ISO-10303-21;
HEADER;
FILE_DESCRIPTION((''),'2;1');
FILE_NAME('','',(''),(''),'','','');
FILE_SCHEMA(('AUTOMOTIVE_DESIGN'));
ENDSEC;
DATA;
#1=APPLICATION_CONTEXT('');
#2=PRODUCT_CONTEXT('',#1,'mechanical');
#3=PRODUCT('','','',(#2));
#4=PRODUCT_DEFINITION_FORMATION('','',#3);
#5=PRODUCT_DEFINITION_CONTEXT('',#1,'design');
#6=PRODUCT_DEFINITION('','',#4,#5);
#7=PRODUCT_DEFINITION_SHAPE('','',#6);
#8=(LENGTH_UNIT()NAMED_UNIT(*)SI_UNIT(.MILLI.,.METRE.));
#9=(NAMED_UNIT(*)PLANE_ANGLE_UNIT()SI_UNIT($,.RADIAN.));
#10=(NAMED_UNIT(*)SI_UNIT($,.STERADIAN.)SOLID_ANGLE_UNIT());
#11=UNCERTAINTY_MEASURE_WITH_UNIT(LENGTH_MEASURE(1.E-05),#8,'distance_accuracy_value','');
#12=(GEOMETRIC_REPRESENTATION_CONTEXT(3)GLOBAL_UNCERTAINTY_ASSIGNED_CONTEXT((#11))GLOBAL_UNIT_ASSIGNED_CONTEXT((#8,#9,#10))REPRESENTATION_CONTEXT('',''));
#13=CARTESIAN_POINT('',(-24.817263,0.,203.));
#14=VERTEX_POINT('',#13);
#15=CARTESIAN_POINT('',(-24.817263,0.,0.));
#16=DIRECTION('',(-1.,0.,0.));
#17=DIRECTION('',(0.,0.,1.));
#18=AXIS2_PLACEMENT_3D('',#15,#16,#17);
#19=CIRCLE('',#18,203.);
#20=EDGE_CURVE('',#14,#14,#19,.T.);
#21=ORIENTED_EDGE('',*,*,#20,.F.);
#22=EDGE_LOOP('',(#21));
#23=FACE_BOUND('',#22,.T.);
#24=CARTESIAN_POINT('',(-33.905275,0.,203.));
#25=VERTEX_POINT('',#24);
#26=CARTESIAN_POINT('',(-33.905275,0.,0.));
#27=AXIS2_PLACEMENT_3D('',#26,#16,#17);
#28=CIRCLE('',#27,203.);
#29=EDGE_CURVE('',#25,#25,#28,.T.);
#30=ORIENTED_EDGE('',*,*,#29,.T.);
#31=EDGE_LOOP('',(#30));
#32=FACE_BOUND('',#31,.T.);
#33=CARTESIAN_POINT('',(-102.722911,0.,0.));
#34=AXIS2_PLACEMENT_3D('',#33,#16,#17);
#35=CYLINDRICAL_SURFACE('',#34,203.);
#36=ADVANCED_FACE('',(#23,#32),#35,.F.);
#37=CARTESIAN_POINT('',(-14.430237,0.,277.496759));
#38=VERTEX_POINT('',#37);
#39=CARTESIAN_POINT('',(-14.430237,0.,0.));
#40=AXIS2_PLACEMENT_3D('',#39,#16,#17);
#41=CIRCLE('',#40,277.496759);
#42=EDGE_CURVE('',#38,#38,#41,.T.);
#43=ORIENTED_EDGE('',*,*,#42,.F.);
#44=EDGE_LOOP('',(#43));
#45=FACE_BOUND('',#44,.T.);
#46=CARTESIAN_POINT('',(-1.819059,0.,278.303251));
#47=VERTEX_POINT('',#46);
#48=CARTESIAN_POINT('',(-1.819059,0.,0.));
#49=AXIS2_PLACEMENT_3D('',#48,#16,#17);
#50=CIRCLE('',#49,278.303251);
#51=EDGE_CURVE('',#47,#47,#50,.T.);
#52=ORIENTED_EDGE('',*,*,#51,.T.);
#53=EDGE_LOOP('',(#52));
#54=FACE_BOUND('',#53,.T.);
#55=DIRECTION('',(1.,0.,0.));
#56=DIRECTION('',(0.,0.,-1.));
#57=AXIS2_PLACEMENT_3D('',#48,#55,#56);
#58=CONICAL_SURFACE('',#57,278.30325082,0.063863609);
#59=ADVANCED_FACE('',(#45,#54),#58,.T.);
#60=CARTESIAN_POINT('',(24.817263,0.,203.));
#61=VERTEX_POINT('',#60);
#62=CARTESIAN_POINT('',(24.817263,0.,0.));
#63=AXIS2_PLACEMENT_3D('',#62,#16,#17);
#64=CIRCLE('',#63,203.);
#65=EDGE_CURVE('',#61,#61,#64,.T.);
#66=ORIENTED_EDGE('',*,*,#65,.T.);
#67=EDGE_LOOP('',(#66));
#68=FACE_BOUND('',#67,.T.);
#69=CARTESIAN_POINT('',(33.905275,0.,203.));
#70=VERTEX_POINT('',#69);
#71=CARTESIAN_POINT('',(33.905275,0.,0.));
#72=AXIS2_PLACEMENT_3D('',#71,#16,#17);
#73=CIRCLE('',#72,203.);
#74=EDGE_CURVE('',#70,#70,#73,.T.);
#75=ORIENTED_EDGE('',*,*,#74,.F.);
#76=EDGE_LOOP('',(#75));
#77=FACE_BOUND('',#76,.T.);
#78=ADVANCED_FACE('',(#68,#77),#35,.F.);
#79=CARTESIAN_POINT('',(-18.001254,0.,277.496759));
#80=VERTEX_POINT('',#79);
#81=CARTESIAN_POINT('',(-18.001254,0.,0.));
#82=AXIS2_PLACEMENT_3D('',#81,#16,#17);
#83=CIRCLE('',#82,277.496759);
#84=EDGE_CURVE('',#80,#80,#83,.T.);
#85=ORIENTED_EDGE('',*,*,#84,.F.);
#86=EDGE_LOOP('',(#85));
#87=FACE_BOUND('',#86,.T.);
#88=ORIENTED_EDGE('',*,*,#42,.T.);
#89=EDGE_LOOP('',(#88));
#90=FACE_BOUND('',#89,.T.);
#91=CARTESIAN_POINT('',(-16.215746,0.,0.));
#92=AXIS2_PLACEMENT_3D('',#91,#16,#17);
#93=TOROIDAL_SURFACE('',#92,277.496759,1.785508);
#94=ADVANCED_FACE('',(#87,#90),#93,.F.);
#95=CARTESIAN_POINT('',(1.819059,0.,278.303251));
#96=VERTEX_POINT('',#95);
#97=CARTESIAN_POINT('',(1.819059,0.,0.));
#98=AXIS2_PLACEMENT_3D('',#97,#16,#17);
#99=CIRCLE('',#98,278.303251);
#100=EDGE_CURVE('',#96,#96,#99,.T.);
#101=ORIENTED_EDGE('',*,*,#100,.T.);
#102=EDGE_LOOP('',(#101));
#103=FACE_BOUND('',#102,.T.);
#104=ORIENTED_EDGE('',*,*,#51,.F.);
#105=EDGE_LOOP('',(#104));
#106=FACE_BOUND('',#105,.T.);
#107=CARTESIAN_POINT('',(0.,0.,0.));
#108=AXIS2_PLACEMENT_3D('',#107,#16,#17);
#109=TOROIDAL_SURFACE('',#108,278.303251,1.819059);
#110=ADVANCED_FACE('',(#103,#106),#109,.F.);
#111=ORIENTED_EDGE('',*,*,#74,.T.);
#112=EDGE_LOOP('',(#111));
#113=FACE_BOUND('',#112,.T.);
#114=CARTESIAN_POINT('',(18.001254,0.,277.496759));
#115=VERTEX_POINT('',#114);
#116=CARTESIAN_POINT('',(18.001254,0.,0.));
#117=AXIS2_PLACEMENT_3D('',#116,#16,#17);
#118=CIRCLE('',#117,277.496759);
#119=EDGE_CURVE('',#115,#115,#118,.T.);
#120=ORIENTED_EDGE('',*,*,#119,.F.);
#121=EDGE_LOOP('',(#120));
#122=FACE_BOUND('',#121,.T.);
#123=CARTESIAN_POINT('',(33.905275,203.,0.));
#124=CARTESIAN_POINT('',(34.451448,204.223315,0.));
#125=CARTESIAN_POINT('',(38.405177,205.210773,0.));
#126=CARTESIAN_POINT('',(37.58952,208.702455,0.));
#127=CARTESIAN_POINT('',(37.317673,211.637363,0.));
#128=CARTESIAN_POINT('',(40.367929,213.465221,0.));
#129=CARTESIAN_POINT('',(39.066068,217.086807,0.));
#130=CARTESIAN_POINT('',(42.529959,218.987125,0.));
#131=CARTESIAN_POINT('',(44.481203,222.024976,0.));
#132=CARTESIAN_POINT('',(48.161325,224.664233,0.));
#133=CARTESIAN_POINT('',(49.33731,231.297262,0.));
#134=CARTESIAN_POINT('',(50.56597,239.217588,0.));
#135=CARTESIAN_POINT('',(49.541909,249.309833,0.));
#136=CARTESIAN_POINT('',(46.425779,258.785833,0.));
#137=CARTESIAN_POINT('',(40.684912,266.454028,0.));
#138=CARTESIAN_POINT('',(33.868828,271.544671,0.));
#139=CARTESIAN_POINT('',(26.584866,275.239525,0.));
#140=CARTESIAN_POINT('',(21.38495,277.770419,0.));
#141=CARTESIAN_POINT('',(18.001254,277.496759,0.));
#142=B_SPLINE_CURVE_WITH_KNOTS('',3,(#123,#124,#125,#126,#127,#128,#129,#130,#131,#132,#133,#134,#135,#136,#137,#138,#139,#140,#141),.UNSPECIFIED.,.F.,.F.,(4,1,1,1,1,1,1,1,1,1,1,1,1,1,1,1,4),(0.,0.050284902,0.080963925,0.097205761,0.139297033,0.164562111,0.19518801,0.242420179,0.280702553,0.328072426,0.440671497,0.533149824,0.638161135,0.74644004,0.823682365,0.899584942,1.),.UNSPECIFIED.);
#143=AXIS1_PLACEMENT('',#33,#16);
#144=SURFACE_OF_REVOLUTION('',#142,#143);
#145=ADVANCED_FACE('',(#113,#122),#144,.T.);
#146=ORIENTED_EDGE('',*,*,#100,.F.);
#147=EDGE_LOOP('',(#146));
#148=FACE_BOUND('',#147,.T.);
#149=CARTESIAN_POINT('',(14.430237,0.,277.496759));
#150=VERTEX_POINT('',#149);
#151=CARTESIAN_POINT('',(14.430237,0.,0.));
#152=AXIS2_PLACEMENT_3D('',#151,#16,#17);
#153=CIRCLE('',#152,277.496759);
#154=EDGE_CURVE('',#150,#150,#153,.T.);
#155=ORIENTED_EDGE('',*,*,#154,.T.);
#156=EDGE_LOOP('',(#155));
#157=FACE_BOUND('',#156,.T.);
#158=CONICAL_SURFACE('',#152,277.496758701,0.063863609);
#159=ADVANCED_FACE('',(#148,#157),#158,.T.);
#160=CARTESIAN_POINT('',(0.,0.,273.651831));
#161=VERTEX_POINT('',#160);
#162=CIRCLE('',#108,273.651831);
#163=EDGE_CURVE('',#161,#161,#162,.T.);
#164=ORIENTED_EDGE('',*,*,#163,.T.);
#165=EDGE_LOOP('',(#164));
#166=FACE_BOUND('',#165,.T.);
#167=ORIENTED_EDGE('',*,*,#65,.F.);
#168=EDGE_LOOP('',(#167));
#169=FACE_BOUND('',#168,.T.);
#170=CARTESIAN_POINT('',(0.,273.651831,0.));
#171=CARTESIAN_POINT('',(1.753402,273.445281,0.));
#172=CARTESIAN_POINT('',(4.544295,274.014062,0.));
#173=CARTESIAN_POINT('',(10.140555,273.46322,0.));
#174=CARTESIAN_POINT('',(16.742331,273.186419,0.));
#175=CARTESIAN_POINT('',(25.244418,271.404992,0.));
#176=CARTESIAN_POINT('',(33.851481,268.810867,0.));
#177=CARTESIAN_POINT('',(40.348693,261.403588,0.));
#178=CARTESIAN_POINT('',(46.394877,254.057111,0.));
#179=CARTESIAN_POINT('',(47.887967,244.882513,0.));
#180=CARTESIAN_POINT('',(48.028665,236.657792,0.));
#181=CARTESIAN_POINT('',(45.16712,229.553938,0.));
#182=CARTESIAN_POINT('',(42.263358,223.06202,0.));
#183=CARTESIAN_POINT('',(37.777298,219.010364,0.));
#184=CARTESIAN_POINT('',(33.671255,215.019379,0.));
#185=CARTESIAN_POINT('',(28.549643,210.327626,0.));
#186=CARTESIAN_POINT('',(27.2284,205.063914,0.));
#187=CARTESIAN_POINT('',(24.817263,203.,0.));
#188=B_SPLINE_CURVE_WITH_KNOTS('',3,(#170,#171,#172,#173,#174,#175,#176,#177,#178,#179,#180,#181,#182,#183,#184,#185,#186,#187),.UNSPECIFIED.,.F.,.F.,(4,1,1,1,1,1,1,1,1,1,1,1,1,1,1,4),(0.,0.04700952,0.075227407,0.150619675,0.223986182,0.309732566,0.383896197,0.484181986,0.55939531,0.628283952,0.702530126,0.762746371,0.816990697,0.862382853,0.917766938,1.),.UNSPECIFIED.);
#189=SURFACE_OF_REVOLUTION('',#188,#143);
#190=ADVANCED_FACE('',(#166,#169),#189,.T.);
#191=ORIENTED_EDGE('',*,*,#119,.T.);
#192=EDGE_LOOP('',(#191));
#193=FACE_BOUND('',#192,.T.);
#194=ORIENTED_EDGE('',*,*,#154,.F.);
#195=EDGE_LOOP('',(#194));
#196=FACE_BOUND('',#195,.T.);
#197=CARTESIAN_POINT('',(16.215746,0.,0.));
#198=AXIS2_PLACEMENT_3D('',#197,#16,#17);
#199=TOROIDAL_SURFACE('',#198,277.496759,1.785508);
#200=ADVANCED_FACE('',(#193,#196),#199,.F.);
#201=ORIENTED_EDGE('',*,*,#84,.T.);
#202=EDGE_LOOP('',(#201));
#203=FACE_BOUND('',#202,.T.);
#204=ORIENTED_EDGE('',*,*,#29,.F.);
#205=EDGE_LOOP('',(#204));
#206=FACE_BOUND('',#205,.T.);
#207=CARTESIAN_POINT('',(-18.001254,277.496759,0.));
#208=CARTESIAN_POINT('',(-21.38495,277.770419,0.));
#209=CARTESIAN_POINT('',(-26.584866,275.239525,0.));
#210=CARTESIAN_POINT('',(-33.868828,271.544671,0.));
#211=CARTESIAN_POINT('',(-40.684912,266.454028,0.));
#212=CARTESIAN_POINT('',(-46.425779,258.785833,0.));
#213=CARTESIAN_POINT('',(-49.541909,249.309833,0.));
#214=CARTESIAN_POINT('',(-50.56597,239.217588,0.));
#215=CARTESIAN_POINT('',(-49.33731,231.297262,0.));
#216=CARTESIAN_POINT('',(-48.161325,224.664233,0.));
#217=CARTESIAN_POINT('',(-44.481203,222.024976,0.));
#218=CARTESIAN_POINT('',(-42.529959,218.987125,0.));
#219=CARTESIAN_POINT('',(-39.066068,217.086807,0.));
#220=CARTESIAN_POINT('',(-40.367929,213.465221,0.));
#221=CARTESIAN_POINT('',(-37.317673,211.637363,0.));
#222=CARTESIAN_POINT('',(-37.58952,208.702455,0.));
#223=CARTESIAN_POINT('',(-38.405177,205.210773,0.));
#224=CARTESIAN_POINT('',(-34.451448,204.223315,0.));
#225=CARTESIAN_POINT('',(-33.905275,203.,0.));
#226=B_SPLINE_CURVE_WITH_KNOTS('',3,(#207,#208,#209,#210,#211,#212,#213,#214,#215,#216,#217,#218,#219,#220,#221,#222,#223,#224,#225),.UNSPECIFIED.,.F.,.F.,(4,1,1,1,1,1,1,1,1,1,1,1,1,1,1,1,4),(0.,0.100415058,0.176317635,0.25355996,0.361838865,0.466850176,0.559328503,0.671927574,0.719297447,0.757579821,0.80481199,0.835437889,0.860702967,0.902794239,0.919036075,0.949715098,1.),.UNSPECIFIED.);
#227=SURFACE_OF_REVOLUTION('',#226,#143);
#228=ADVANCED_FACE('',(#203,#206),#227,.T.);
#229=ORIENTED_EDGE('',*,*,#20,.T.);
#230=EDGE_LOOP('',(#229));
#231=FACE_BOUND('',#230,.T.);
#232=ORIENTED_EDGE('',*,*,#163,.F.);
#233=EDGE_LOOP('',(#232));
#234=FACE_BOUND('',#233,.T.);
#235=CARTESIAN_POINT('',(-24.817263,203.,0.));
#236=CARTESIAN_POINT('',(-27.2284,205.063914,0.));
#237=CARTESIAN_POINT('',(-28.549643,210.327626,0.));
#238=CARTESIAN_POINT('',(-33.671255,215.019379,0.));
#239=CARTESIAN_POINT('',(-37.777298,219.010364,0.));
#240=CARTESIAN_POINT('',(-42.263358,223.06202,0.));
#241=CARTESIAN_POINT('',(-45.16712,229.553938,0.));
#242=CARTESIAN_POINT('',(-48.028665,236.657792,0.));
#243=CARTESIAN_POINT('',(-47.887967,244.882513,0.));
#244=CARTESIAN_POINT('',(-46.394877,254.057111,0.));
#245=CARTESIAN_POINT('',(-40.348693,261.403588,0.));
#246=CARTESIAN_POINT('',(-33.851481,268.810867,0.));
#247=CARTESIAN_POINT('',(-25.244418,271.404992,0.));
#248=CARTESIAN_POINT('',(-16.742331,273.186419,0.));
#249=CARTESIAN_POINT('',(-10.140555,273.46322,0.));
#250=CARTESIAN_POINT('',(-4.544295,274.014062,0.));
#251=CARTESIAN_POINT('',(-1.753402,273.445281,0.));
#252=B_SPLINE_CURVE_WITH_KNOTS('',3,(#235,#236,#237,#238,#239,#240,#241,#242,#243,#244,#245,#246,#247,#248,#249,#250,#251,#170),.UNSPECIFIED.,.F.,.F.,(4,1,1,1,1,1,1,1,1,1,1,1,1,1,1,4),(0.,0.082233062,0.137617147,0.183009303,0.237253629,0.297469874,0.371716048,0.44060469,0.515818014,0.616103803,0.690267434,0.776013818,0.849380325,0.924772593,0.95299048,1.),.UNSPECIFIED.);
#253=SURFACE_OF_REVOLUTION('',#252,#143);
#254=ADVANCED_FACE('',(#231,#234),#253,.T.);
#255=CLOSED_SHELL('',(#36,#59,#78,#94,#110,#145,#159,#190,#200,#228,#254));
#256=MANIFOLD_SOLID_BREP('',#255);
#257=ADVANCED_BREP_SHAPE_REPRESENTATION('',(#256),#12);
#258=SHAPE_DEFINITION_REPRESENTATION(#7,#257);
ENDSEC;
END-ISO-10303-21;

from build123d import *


with BuildPart() as part:
    # Sketch1 → Revolve2 (revolve)
    with BuildSketch(Plane.XY):
        with BuildLine():
            Line((-24.817263014, 203), (-33.905274822, 203))
            add(Edge.make_bspline(
                [(-33.905274822, 203), (-34.451447712, 204.223315441), (-38.405176851, 205.210772848), (-37.589519666, 208.70245477), (-37.317673012, 211.637363166), (-40.367929344, 213.465220786), (-39.066067659, 217.086806756), (-42.529958862, 218.987124675), (-44.481203146, 222.024976144), (-48.1613249, 224.664233071), (-49.33731008, 231.297261903), (-50.56597037, 239.217588361), (-49.541908918, 249.30983287), (-46.425779413, 258.78583291), (-40.684911603, 266.454028141), (-33.868828279, 271.544671241), (-26.584866167, 275.239525499), (-21.384950053, 277.770418692), (-18.001254158, 277.496758701)],
                knots=[0, 0, 0, 0, 0.050284902, 0.080963925, 0.097205761, 0.139297033, 0.164562111, 0.19518801, 0.242420179, 0.280702553, 0.328072426, 0.440671497, 0.533149824, 0.638161135, 0.74644004, 0.823682365, 0.899584942, 1, 1, 1, 1], degree=3))
            ThreePointArc((-18.001254158, 277.496758701), (-16.21574569, 275.711250233), (-14.430237221, 277.496758701))
            Line((-14.430237221, 277.496758701), (-1.819058655, 278.30325082))
            ThreePointArc((-1.819058655, 278.30325082), (0, 276.484192165), (1.819058655, 278.30325082))
            Line((1.819058655, 278.30325082), (14.430237221, 277.496758701))
            ThreePointArc((14.430237221, 277.496758701), (16.21574569, 275.711250233), (18.001254158, 277.496758701))
            add(Edge.make_bspline(
                [(33.905274822, 203), (34.451447712, 204.223315441), (38.405176851, 205.210772848), (37.589519666, 208.70245477), (37.317673012, 211.637363166), (40.367929344, 213.465220786), (39.066067659, 217.086806756), (42.529958862, 218.987124675), (44.481203146, 222.024976144), (48.1613249, 224.664233071), (49.33731008, 231.297261903), (50.56597037, 239.217588361), (49.541908918, 249.30983287), (46.425779413, 258.78583291), (40.684911603, 266.454028141), (33.868828279, 271.544671241), (26.584866167, 275.239525499), (21.384950053, 277.770418692), (18.001254158, 277.496758701)],
                knots=[0, 0, 0, 0, 0.050284902, 0.080963925, 0.097205761, 0.139297033, 0.164562111, 0.19518801, 0.242420179, 0.280702553, 0.328072426, 0.440671497, 0.533149824, 0.638161135, 0.74644004, 0.823682365, 0.899584942, 1, 1, 1, 1], degree=3))
            Line((33.905274822, 203), (24.817263014, 203))
            add(Edge.make_bspline(
                [(24.817263014, 203), (27.228399829, 205.063914319), (28.549642734, 210.327625908), (33.671254535, 215.019378984), (37.777297666, 219.010363555), (42.263357726, 223.06202027), (45.167120419, 229.553937912), (48.02866542, 236.657792056), (47.887967472, 244.882513096), (46.394877316, 254.057111446), (40.348692935, 261.403587544), (33.851481322, 268.810867069), (25.244417526, 271.404992131), (16.742331219, 273.186419121), (10.140554755, 273.463220362), (4.544295124, 274.014061695), (1.753402076, 273.445280921), (0, 273.651830629)],
                knots=[0, 0, 0, 0, 0.082233062, 0.137617147, 0.183009303, 0.237253629, 0.297469874, 0.371716048, 0.44060469, 0.515818014, 0.616103803, 0.690267434, 0.776013818, 0.849380325, 0.924772593, 0.95299048, 1, 1, 1, 1], degree=3))
            add(Edge.make_bspline(
                [(-24.817263014, 203), (-27.228399829, 205.063914319), (-28.549642734, 210.327625908), (-33.671254535, 215.019378984), (-37.777297666, 219.010363555), (-42.263357726, 223.06202027), (-45.167120419, 229.553937912), (-48.02866542, 236.657792056), (-47.887967472, 244.882513096), (-46.394877316, 254.057111446), (-40.348692935, 261.403587544), (-33.851481322, 268.810867069), (-25.244417526, 271.404992131), (-16.742331219, 273.186419121), (-10.140554755, 273.463220362), (-4.544295124, 274.014061695), (-1.753402076, 273.445280921), (0, 273.651830629)],
                knots=[0, 0, 0, 0, 0.082233062, 0.137617147, 0.183009303, 0.237253629, 0.297469874, 0.371716048, 0.44060469, 0.515818014, 0.616103803, 0.690267434, 0.776013818, 0.849380325, 0.924772593, 0.95299048, 1, 1, 1, 1], degree=3))
        make_face()
    revolve(axis=Axis((-102.722911075, 0, 0), (1, 0, 0)))


solid = part.part
